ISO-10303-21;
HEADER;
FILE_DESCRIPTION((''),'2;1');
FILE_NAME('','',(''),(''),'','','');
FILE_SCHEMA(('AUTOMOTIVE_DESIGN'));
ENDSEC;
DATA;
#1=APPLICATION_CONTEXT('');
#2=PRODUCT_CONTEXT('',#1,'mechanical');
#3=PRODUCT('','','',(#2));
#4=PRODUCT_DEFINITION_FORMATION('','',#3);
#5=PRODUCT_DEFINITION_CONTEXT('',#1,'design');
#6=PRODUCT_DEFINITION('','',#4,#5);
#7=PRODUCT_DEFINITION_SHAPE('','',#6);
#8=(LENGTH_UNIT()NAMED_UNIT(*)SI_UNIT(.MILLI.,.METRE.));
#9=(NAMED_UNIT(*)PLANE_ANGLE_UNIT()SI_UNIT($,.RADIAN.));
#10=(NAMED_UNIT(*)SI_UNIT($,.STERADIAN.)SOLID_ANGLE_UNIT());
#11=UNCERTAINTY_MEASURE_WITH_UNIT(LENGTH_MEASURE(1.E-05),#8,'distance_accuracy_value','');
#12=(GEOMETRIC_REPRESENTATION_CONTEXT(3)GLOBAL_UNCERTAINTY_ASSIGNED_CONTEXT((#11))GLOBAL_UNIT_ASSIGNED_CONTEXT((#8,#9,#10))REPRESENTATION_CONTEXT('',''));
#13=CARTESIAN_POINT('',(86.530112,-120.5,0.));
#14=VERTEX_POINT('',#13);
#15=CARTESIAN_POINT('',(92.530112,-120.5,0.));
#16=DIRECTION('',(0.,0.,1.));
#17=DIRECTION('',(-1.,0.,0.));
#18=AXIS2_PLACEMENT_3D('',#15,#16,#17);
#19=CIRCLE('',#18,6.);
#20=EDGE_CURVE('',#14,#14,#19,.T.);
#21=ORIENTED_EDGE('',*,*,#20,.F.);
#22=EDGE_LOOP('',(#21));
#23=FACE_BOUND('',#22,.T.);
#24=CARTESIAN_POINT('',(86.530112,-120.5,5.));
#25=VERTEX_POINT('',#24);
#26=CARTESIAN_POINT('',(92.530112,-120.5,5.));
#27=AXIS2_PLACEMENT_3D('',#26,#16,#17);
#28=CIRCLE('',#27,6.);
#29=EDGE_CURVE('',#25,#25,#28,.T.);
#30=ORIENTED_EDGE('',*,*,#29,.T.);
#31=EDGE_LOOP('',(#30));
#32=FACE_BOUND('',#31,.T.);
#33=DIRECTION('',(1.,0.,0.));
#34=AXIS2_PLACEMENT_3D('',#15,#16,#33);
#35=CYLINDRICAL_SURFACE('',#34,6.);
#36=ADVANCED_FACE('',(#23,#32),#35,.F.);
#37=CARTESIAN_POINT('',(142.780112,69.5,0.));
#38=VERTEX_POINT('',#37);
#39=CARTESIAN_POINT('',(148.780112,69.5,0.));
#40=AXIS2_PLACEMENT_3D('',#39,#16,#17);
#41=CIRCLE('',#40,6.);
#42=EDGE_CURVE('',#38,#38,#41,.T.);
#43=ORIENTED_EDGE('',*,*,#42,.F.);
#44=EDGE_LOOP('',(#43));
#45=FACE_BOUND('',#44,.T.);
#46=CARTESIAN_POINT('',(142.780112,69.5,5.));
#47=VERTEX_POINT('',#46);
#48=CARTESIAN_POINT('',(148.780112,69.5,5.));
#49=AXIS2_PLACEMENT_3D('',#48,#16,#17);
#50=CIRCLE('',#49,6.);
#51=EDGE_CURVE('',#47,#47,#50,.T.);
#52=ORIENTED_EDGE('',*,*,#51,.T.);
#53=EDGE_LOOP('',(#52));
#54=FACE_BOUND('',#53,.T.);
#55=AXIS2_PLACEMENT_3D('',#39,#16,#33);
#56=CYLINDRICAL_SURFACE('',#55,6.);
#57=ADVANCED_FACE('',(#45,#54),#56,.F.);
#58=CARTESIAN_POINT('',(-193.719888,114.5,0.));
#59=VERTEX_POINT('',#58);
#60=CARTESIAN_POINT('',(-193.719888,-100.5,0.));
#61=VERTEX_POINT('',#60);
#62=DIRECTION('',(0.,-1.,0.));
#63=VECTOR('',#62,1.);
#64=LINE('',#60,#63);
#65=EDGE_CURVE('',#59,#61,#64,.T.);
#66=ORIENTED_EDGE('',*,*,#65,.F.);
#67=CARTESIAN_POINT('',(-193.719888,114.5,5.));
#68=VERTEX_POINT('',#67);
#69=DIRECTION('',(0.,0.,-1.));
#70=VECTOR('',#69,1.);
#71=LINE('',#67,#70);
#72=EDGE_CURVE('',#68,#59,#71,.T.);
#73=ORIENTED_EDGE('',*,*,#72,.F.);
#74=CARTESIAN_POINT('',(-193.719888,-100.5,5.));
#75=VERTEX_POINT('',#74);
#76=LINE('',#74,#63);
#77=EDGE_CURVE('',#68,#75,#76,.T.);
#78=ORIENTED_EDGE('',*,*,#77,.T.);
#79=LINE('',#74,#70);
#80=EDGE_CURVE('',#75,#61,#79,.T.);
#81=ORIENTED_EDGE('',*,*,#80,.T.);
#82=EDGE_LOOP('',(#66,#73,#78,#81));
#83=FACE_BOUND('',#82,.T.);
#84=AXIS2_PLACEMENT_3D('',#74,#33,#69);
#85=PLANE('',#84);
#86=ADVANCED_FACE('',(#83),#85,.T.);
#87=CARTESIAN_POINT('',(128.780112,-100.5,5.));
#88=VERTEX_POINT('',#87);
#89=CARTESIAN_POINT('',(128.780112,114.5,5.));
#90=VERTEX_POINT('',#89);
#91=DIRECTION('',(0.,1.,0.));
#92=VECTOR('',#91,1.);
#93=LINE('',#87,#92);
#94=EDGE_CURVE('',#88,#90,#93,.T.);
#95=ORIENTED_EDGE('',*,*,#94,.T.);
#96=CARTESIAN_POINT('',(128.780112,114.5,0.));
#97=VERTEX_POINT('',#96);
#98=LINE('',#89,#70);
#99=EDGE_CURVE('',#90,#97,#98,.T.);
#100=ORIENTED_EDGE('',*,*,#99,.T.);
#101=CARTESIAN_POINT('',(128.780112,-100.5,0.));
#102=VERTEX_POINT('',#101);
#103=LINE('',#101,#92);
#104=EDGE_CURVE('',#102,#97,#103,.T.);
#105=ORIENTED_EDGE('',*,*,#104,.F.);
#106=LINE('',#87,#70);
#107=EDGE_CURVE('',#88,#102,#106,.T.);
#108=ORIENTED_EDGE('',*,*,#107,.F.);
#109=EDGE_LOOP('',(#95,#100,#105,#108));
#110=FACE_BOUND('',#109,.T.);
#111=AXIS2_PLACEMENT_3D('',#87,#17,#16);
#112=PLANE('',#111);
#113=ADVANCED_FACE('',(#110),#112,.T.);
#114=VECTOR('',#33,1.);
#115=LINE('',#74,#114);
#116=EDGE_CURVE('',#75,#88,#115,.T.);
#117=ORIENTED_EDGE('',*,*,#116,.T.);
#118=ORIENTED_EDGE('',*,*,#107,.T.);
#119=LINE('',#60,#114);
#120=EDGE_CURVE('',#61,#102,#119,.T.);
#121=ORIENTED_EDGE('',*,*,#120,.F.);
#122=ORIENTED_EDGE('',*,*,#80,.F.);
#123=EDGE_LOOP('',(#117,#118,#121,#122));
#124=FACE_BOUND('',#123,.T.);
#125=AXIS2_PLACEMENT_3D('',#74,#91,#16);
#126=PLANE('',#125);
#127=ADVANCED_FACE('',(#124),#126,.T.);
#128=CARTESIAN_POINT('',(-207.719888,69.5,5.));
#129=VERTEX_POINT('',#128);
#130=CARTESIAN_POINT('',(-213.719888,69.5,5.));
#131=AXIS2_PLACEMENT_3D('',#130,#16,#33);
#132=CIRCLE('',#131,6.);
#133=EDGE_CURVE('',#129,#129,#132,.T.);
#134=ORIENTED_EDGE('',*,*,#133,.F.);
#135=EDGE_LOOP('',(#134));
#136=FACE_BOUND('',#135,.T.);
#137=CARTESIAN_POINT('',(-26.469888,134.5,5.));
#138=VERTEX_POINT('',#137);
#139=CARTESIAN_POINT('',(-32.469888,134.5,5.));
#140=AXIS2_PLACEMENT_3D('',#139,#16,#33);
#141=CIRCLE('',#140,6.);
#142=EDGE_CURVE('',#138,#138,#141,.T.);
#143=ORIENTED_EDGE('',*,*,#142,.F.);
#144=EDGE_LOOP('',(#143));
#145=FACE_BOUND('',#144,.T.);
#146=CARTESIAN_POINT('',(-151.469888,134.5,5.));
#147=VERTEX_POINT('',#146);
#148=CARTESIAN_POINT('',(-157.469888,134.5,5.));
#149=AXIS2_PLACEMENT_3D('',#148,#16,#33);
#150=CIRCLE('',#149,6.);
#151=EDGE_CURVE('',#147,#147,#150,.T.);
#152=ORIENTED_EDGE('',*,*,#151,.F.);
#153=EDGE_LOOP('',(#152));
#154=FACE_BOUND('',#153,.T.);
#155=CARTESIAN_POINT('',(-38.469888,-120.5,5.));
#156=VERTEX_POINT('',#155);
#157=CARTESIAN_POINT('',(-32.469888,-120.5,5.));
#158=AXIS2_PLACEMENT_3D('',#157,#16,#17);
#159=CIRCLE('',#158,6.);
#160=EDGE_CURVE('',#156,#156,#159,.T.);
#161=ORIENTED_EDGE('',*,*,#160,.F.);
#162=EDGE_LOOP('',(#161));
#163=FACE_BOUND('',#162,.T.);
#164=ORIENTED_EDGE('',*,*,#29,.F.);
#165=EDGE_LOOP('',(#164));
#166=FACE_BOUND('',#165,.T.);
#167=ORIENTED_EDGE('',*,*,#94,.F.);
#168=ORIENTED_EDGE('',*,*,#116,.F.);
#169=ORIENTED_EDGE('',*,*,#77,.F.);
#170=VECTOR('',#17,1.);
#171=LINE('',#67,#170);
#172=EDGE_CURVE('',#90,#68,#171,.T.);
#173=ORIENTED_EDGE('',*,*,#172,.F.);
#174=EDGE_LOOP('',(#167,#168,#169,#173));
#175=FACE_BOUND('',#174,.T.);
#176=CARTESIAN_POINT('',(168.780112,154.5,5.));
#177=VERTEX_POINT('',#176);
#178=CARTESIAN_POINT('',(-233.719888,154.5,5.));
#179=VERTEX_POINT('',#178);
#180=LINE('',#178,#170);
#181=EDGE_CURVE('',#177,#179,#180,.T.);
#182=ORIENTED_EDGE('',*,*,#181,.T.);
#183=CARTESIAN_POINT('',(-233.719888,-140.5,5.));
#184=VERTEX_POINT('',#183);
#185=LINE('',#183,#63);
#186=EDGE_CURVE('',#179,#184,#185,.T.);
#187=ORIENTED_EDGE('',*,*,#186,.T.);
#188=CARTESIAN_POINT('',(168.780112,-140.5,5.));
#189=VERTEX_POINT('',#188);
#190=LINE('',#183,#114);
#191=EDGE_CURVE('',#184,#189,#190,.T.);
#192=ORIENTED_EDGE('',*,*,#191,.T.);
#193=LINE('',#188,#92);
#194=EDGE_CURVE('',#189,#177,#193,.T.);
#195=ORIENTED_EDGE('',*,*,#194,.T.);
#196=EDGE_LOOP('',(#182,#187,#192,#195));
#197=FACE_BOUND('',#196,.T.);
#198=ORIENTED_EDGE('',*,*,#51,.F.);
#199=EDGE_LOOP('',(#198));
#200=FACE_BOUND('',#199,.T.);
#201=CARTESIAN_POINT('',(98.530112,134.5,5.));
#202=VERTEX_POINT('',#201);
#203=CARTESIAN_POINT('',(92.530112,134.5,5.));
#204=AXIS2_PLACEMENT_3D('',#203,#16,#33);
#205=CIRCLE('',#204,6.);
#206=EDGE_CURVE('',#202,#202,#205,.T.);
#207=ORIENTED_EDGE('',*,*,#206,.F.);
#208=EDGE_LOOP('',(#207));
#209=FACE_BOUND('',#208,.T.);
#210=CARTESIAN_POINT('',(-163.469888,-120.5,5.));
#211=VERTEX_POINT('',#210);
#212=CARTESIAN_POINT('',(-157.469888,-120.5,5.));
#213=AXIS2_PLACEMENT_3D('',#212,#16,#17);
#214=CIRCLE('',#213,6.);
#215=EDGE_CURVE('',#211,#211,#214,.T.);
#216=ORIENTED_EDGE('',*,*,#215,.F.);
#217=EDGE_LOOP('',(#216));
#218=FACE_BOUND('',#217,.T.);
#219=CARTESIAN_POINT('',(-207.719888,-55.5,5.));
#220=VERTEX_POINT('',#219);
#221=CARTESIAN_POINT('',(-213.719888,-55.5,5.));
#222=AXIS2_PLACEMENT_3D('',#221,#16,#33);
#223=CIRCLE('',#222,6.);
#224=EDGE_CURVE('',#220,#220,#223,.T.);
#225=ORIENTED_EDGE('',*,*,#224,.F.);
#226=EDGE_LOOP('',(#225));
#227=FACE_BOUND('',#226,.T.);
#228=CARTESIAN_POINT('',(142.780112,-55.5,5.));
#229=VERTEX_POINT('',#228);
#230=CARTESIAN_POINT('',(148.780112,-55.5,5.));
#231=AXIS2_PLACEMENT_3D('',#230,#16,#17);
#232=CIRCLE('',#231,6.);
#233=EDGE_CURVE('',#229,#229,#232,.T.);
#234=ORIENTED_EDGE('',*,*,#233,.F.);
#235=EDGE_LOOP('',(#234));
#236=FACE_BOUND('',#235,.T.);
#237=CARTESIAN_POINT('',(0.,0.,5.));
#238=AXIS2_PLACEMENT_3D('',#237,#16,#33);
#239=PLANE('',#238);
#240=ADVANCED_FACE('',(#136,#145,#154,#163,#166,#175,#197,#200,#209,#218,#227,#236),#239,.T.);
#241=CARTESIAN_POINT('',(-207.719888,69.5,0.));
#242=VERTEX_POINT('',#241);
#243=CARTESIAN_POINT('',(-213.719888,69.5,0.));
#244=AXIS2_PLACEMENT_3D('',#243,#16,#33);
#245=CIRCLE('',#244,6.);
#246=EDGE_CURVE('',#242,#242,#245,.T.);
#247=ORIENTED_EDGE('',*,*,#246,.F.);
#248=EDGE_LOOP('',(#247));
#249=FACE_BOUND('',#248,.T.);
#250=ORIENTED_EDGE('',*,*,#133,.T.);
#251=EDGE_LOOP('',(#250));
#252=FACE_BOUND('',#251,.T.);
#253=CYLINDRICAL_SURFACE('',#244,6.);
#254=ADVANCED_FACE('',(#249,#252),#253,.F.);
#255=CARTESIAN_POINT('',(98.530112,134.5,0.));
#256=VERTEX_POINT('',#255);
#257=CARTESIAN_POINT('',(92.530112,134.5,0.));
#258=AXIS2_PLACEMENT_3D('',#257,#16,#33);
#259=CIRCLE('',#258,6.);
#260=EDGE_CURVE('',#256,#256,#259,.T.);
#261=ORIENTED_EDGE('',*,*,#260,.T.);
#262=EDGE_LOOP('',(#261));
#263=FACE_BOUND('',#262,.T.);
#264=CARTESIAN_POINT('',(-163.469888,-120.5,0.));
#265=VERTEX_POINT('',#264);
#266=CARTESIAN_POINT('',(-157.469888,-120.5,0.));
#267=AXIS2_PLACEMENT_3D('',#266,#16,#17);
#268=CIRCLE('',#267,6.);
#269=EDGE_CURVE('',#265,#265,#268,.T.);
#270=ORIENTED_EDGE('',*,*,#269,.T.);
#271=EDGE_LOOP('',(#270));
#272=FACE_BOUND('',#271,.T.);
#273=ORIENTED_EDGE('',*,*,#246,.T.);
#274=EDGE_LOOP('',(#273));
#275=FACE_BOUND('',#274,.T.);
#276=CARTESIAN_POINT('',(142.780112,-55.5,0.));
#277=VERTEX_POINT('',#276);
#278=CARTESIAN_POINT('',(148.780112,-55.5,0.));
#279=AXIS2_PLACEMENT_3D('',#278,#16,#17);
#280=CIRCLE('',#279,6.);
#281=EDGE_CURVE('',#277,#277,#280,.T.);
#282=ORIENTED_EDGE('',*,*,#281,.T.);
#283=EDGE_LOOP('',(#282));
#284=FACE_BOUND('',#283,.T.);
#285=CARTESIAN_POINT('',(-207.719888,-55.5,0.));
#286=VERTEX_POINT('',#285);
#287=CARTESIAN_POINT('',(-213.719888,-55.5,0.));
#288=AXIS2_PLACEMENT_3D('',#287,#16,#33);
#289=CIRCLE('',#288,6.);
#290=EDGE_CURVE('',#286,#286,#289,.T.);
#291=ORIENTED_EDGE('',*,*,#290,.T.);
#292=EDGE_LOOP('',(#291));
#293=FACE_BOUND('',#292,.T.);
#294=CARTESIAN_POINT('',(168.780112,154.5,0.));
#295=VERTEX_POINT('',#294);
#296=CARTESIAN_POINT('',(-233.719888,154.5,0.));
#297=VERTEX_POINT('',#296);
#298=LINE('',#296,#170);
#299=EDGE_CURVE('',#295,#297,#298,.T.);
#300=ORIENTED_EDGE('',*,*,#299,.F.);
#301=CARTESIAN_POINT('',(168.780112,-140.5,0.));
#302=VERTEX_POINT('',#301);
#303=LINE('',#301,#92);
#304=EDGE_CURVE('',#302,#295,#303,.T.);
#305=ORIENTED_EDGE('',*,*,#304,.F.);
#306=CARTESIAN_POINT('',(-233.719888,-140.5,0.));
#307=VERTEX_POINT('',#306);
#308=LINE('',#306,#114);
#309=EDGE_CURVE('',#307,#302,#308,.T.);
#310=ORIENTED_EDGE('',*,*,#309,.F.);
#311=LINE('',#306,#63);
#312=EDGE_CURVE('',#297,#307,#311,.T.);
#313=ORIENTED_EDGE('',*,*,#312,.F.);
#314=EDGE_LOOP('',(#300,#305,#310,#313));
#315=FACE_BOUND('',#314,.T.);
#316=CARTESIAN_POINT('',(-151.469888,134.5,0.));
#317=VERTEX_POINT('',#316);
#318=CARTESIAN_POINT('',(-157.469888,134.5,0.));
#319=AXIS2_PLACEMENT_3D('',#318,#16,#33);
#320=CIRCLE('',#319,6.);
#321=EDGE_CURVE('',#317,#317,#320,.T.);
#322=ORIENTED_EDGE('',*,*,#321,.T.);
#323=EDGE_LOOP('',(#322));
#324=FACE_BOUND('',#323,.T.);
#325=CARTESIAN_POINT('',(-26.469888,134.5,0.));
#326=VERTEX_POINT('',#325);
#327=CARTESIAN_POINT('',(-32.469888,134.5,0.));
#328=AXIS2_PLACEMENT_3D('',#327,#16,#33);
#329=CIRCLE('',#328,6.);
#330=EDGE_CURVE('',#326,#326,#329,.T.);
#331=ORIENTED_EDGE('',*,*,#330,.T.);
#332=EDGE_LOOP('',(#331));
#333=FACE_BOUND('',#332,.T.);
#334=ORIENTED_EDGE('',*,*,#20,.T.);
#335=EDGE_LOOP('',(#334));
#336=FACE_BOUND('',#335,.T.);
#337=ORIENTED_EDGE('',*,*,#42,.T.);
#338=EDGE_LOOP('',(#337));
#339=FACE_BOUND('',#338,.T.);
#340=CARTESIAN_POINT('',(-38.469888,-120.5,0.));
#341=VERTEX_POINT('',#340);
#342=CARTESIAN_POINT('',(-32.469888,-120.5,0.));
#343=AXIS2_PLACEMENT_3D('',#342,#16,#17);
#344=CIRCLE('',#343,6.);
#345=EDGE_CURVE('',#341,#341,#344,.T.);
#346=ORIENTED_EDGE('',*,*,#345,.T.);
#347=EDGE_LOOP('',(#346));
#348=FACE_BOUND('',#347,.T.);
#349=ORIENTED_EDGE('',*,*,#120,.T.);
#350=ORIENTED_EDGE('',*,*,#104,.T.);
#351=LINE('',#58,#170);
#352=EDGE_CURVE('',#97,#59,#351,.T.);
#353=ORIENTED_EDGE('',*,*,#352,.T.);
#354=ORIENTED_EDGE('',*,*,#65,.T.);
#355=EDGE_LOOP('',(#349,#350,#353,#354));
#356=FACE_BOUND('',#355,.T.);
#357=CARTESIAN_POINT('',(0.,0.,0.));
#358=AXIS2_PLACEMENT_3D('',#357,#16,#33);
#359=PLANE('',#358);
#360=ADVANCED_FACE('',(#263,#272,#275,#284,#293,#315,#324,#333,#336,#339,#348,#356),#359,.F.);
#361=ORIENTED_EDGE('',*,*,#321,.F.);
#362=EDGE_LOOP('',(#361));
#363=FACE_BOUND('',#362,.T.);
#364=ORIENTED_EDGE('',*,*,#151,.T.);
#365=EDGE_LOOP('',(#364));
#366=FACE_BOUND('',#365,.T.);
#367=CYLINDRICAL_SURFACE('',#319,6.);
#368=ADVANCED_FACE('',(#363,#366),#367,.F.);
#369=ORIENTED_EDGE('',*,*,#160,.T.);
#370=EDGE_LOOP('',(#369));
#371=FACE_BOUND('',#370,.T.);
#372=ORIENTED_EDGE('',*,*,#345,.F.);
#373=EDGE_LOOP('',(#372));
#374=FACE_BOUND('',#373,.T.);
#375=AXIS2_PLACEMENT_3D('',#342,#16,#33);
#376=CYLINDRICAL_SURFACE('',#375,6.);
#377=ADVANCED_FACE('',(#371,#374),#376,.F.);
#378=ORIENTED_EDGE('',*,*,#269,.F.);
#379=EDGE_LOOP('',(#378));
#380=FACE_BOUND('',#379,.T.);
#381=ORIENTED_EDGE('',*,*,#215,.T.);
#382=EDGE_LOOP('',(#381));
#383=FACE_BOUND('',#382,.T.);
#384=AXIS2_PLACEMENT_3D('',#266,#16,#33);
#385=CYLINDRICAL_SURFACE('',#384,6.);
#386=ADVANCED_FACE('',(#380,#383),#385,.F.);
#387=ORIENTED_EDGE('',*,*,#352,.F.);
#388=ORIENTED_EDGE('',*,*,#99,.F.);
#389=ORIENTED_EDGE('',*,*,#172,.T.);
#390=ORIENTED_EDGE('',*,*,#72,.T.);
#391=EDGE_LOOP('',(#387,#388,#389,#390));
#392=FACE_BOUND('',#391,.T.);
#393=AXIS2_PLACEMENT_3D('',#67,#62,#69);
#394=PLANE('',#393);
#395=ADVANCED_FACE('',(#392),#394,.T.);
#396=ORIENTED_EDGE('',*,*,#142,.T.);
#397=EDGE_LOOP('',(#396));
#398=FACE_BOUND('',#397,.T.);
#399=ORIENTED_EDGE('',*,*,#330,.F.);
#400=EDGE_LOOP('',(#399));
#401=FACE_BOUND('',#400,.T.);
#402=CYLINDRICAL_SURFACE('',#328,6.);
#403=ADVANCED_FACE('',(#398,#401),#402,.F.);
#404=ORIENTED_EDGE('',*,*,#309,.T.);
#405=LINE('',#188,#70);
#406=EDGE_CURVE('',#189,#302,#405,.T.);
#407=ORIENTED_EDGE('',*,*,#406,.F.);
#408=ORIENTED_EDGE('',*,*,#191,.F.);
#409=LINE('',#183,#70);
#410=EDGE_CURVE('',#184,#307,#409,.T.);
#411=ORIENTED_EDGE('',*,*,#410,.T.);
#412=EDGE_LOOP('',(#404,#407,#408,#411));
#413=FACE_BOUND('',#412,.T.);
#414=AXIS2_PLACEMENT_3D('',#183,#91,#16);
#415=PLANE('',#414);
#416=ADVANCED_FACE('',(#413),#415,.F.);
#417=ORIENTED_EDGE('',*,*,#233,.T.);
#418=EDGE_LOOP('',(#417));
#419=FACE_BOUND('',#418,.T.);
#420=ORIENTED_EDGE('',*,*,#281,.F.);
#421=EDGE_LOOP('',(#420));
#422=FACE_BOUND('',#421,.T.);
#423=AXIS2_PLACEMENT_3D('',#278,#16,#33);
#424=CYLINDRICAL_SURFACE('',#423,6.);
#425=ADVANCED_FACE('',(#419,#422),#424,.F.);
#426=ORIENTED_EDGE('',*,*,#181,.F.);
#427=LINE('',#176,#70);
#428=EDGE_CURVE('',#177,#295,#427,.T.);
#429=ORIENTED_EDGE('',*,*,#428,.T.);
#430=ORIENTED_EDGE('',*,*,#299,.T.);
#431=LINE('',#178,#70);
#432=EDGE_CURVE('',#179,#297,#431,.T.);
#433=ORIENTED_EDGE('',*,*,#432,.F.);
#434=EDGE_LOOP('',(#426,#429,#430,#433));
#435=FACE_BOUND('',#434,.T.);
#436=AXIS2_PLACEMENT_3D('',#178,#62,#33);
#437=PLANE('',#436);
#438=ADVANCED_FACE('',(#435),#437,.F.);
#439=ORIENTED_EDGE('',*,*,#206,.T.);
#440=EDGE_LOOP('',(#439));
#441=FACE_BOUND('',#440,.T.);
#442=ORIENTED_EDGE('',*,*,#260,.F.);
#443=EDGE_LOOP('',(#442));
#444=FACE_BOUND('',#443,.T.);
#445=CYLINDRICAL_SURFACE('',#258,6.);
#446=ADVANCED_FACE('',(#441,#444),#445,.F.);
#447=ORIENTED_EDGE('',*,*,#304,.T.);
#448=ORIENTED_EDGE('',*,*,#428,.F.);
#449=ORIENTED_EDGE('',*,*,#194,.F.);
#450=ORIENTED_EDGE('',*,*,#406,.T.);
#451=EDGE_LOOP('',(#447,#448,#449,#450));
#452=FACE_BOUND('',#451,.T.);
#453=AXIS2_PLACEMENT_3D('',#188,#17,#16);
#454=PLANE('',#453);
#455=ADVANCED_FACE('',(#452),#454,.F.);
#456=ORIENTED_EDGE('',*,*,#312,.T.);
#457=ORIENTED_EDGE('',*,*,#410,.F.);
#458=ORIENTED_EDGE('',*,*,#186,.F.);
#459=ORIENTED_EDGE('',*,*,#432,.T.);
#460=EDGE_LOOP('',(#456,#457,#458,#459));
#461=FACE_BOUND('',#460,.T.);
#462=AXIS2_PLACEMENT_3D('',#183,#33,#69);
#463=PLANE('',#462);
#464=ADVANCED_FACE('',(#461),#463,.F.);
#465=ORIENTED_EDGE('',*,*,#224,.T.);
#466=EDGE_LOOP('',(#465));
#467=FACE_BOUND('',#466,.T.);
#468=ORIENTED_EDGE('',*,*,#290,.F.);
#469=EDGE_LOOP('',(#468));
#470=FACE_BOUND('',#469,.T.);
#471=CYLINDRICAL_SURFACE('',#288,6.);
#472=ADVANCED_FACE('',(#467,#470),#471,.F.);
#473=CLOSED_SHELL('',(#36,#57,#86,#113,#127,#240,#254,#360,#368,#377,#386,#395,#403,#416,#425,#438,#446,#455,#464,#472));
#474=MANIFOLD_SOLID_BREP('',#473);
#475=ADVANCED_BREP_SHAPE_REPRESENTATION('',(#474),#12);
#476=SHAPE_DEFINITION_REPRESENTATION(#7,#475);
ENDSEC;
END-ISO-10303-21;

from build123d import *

# Parameters (mm, degrees)
SKETCH1_W           = 402.5
SKETCH1_H           = 295
SKETCH1_W_2         = 322.5
SKETCH1_H_2         = 215
BOSS_EXTRUDE1_DEPTH = 5
SKETCH2_R           = 6
CUT_EXTRUDE1_DEPTH  = 5


with BuildPart() as part:
    # Sketch1 → Boss-Extrude1 (new body)
    with BuildSketch(Plane.XY):
        with Locations((-32.469887955, 7)):
            Rectangle(SKETCH1_W, SKETCH1_H)
        with Locations((-32.469887955, 7)):
            Rectangle(SKETCH1_W_2, SKETCH1_H_2, mode=Mode.SUBTRACT)
    extrude(amount=BOSS_EXTRUDE1_DEPTH)

    # Sketch2 → Cut-Extrude1 (cut)
    with BuildSketch(Plane.XY.offset(5)):
        with Locations((-213.719887955, 69.5)):
            Circle(SKETCH2_R)
        with Locations((-213.719887955, -55.5)):
            Circle(SKETCH2_R)
        with Locations(Location((-157.469887955, -120.5, 0), (0, 0, 180))):
            Circle(SKETCH2_R)
        with Locations(Location((-32.469887955, -120.5, 0), (0, 0, 180))):
            Circle(SKETCH2_R)
        with Locations(Location((92.530112045, -120.5, 0), (0, 0, 180))):
            Circle(SKETCH2_R)
        with Locations((92.530112045, 134.5)):
            Circle(SKETCH2_R)
        with Locations((-32.469887955, 134.5)):
            Circle(SKETCH2_R)
        with Locations((-157.469887955, 134.5)):
            Circle(SKETCH2_R)
        with Locations(Location((148.780112045, -55.5, 0), (0, 0, 180))):
            Circle(SKETCH2_R)
        with Locations(Location((148.780112045, 69.5, 0), (0, 0, 180))):
            Circle(SKETCH2_R)
    extrude(amount=-CUT_EXTRUDE1_DEPTH, mode=Mode.SUBTRACT)


solid = part.part
